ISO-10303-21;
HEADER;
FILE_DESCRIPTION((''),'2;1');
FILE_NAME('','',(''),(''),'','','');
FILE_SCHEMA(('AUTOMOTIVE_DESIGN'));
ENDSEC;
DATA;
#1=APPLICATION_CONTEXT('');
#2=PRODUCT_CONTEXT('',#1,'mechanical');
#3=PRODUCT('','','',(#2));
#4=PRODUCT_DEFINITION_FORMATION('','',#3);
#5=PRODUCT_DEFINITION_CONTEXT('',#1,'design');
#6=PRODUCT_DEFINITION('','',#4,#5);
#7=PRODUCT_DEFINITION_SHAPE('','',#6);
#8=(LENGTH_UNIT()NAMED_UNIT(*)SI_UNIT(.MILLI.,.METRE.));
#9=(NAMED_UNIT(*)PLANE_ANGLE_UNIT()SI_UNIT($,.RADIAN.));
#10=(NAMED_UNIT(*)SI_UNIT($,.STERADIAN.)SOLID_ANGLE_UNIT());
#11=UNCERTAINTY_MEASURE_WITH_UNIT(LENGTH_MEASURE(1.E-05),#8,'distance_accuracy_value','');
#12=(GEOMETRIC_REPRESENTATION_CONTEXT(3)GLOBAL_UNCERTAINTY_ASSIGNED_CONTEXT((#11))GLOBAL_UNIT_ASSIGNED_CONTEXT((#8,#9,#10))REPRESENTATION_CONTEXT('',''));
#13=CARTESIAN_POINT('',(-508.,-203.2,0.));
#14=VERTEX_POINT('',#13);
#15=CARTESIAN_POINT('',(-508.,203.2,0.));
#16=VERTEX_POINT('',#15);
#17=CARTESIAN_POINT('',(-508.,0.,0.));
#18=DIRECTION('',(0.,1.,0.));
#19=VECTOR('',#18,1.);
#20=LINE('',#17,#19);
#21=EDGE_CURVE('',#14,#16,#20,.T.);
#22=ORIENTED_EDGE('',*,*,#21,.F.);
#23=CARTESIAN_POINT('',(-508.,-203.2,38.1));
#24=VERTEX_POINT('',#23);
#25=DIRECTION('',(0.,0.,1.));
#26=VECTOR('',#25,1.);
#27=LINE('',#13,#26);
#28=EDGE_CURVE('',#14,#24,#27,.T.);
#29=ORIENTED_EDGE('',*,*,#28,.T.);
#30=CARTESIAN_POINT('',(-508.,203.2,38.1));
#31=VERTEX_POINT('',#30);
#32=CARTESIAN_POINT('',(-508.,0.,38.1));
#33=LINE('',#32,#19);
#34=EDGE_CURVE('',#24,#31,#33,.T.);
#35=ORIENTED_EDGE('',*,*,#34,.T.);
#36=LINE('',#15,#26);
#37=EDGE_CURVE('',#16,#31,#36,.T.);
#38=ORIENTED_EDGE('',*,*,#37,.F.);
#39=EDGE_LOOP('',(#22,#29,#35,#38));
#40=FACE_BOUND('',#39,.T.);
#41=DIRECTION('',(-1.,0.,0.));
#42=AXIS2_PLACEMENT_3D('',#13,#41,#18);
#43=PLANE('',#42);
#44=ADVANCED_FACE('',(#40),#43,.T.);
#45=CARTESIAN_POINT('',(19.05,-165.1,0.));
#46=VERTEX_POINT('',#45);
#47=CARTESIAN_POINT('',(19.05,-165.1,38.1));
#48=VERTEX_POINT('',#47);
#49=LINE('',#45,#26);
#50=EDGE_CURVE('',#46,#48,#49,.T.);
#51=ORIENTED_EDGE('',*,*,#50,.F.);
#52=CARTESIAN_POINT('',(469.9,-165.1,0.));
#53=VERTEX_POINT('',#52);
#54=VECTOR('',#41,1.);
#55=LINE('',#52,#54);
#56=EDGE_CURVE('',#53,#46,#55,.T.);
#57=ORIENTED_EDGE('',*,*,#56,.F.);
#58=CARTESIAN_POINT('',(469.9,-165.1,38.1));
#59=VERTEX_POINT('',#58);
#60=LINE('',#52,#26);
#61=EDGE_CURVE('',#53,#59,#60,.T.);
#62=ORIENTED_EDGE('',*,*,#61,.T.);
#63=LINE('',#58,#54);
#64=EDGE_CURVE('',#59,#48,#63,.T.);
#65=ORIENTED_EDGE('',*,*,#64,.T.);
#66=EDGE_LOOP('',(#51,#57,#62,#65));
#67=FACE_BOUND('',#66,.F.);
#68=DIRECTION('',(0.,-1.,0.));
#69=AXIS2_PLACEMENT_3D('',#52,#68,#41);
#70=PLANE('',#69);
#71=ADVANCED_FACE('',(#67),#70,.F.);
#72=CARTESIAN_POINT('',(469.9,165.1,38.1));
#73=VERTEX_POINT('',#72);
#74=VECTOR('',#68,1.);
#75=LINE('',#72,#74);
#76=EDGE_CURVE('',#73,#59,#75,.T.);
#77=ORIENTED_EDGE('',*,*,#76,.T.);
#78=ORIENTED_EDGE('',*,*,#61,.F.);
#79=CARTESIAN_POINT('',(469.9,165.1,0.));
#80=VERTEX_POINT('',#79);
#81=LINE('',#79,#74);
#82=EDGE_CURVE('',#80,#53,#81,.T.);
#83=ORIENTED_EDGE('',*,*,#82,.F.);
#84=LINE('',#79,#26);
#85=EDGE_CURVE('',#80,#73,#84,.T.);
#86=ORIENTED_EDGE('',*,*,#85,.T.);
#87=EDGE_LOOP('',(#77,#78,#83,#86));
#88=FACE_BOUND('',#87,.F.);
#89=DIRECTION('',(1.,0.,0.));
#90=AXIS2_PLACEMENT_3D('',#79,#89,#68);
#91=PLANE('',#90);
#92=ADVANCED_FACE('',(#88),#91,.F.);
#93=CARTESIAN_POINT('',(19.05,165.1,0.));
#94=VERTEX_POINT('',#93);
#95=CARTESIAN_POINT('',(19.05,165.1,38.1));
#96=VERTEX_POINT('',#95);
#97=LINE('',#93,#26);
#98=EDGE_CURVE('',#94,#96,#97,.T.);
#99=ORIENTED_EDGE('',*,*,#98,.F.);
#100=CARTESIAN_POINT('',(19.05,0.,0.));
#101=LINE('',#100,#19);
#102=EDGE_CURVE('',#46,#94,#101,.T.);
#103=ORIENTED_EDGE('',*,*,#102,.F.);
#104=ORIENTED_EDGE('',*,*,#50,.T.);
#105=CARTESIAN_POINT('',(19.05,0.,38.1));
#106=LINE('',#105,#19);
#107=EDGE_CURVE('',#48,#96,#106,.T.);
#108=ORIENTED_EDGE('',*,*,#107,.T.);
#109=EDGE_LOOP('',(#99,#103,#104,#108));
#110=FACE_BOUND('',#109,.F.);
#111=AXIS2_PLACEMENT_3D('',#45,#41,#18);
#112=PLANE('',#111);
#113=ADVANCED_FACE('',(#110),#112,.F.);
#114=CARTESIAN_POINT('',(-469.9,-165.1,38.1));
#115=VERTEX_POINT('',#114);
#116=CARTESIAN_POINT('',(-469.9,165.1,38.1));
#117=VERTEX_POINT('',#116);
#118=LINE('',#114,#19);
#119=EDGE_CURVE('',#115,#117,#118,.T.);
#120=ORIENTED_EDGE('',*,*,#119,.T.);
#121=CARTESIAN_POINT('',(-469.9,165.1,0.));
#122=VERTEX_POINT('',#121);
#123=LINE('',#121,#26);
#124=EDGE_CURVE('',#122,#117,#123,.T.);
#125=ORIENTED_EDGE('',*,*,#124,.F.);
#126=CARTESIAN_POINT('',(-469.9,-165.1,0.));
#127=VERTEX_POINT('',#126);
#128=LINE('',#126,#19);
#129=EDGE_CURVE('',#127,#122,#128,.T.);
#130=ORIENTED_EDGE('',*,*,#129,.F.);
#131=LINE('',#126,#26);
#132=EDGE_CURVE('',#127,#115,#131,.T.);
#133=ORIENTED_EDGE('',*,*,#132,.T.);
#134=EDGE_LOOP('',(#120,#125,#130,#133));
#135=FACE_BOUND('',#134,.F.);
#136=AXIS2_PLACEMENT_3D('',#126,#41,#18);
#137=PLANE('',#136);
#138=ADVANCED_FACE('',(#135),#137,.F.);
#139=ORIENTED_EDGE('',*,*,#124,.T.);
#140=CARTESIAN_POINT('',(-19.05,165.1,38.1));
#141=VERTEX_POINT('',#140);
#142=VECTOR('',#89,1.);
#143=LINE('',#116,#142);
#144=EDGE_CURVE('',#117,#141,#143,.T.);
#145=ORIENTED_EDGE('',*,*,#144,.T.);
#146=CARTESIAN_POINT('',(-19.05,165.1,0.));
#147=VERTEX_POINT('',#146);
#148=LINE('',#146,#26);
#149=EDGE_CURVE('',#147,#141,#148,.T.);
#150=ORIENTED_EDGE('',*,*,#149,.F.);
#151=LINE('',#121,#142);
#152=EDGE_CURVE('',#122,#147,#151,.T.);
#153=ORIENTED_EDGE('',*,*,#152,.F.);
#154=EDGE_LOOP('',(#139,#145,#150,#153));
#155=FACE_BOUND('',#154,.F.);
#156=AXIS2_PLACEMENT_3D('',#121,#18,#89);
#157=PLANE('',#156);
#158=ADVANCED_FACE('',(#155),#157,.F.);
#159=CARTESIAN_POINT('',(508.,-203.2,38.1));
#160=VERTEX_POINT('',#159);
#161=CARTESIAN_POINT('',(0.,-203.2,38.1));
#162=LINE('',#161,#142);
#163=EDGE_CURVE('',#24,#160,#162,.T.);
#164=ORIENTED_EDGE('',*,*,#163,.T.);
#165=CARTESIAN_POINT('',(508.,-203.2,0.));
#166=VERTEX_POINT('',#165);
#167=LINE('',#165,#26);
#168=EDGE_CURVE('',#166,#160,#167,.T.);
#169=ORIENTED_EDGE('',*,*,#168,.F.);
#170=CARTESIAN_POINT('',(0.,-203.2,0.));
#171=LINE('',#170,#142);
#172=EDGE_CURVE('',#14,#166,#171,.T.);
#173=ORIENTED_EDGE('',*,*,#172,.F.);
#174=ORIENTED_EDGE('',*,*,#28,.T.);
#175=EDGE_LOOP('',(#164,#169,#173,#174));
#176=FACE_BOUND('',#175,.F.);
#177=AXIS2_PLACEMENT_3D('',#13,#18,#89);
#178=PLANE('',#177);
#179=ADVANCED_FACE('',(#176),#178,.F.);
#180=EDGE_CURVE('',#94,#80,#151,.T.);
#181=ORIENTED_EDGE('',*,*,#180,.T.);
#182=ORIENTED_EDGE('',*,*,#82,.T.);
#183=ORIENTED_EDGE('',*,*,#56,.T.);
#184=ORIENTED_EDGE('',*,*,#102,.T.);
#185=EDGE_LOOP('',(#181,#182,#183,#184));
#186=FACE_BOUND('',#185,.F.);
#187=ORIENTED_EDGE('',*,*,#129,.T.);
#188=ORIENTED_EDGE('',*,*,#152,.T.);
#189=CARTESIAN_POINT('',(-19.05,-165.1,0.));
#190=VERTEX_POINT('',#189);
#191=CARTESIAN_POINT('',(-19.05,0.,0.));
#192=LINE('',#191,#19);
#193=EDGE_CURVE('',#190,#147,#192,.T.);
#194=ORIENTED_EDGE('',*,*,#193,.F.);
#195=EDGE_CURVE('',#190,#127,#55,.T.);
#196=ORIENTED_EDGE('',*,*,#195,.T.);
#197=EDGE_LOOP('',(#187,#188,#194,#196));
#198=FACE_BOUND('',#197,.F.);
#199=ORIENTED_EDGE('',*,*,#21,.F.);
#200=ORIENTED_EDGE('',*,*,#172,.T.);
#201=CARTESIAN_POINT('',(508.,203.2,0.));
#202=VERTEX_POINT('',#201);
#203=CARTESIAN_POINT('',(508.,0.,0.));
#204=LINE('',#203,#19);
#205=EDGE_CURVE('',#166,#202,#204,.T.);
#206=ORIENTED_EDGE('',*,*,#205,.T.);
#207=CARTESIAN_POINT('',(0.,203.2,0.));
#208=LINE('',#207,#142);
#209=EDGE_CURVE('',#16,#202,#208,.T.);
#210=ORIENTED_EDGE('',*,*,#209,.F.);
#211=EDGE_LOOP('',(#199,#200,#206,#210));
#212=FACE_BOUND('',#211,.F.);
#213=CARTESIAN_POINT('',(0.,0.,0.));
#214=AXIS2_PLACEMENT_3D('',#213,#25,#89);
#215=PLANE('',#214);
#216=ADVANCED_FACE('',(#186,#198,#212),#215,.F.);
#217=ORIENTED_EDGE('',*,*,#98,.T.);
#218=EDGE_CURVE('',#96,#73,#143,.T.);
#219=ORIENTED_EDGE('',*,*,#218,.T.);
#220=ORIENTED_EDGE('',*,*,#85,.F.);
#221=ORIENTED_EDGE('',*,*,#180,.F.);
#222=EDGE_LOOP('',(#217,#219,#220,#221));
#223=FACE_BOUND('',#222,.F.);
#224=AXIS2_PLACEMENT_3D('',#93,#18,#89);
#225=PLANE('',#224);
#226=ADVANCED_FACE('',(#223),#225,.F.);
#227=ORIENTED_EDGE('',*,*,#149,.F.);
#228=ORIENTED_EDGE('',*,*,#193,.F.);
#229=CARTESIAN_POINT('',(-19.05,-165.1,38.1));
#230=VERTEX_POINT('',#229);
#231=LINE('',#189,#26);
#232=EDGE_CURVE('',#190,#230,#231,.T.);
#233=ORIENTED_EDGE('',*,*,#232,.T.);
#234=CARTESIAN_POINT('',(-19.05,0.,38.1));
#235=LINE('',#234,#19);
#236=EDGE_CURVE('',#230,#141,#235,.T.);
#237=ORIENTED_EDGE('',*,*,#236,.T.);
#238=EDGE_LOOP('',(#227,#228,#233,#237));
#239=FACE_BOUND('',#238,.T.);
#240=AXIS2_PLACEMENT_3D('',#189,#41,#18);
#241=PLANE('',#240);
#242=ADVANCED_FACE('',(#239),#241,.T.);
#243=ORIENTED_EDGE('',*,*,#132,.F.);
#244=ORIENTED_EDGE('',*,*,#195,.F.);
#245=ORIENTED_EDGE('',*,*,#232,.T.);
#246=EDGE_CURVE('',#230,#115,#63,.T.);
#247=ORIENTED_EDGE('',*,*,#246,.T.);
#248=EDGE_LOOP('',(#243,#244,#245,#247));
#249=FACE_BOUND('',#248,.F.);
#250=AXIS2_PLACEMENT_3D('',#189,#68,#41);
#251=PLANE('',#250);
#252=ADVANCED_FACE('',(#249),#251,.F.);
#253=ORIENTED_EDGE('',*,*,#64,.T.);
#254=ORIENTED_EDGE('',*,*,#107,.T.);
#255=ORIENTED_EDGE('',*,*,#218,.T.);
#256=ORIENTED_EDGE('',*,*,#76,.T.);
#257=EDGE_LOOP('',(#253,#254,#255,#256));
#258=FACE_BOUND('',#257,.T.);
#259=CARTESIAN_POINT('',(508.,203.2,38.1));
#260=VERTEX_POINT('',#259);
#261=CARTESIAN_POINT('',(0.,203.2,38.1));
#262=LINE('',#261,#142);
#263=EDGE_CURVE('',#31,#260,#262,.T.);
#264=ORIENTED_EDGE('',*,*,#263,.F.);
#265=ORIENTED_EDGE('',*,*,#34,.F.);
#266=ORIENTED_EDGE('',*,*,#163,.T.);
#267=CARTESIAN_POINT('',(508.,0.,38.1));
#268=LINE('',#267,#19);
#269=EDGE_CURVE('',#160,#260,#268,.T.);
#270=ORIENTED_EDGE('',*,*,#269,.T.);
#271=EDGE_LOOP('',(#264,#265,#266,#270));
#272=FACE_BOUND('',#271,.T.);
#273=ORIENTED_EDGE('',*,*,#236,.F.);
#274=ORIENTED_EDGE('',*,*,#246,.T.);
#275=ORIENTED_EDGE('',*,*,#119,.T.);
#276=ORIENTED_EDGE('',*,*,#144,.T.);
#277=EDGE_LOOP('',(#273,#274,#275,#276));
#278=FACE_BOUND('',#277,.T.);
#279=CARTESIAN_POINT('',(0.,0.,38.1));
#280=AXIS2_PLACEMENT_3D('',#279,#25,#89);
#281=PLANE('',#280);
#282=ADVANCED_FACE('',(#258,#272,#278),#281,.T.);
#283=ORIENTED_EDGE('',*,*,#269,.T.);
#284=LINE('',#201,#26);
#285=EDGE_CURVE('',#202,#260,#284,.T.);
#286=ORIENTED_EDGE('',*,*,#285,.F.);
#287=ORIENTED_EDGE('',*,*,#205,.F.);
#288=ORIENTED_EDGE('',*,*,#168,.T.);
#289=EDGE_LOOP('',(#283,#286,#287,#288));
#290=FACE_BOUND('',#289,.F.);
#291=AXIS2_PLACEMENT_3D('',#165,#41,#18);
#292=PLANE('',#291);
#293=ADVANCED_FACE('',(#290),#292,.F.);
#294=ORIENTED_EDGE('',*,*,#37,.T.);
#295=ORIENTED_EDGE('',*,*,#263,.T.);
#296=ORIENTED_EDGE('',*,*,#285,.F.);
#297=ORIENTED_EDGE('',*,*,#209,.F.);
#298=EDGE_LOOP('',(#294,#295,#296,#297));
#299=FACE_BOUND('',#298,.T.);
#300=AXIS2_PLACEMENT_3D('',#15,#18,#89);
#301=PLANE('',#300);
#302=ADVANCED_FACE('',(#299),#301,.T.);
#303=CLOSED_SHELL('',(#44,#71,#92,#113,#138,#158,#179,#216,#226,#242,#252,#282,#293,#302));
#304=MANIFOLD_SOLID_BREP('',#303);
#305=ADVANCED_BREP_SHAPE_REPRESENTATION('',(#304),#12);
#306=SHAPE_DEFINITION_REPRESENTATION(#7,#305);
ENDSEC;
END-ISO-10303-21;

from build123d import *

# Parameters (mm, degrees)
F0_W     = 1016
F0_H     = 406.4
F0_W_2   = 38.1
F0_H_2   = 330.2
F1_DEPTH = 38.1


with BuildPart() as f1:
    # F0 (on Top) → F1 (new body)
    with BuildSketch(Plane.XY):
        Rectangle(F0_W, F0_H)
        Polygon((469.9, 165.1), (469.9, -165.1), (19.05, -165.1), (-19.05, -165.1), (-469.9, -165.1), (-469.9, 165.1), (-19.05, 165.1), (19.05, 165.1), align=None, mode=Mode.SUBTRACT)
        Rectangle(F0_W_2, F0_H_2)
    extrude(amount=F1_DEPTH)


solid = f1.part
